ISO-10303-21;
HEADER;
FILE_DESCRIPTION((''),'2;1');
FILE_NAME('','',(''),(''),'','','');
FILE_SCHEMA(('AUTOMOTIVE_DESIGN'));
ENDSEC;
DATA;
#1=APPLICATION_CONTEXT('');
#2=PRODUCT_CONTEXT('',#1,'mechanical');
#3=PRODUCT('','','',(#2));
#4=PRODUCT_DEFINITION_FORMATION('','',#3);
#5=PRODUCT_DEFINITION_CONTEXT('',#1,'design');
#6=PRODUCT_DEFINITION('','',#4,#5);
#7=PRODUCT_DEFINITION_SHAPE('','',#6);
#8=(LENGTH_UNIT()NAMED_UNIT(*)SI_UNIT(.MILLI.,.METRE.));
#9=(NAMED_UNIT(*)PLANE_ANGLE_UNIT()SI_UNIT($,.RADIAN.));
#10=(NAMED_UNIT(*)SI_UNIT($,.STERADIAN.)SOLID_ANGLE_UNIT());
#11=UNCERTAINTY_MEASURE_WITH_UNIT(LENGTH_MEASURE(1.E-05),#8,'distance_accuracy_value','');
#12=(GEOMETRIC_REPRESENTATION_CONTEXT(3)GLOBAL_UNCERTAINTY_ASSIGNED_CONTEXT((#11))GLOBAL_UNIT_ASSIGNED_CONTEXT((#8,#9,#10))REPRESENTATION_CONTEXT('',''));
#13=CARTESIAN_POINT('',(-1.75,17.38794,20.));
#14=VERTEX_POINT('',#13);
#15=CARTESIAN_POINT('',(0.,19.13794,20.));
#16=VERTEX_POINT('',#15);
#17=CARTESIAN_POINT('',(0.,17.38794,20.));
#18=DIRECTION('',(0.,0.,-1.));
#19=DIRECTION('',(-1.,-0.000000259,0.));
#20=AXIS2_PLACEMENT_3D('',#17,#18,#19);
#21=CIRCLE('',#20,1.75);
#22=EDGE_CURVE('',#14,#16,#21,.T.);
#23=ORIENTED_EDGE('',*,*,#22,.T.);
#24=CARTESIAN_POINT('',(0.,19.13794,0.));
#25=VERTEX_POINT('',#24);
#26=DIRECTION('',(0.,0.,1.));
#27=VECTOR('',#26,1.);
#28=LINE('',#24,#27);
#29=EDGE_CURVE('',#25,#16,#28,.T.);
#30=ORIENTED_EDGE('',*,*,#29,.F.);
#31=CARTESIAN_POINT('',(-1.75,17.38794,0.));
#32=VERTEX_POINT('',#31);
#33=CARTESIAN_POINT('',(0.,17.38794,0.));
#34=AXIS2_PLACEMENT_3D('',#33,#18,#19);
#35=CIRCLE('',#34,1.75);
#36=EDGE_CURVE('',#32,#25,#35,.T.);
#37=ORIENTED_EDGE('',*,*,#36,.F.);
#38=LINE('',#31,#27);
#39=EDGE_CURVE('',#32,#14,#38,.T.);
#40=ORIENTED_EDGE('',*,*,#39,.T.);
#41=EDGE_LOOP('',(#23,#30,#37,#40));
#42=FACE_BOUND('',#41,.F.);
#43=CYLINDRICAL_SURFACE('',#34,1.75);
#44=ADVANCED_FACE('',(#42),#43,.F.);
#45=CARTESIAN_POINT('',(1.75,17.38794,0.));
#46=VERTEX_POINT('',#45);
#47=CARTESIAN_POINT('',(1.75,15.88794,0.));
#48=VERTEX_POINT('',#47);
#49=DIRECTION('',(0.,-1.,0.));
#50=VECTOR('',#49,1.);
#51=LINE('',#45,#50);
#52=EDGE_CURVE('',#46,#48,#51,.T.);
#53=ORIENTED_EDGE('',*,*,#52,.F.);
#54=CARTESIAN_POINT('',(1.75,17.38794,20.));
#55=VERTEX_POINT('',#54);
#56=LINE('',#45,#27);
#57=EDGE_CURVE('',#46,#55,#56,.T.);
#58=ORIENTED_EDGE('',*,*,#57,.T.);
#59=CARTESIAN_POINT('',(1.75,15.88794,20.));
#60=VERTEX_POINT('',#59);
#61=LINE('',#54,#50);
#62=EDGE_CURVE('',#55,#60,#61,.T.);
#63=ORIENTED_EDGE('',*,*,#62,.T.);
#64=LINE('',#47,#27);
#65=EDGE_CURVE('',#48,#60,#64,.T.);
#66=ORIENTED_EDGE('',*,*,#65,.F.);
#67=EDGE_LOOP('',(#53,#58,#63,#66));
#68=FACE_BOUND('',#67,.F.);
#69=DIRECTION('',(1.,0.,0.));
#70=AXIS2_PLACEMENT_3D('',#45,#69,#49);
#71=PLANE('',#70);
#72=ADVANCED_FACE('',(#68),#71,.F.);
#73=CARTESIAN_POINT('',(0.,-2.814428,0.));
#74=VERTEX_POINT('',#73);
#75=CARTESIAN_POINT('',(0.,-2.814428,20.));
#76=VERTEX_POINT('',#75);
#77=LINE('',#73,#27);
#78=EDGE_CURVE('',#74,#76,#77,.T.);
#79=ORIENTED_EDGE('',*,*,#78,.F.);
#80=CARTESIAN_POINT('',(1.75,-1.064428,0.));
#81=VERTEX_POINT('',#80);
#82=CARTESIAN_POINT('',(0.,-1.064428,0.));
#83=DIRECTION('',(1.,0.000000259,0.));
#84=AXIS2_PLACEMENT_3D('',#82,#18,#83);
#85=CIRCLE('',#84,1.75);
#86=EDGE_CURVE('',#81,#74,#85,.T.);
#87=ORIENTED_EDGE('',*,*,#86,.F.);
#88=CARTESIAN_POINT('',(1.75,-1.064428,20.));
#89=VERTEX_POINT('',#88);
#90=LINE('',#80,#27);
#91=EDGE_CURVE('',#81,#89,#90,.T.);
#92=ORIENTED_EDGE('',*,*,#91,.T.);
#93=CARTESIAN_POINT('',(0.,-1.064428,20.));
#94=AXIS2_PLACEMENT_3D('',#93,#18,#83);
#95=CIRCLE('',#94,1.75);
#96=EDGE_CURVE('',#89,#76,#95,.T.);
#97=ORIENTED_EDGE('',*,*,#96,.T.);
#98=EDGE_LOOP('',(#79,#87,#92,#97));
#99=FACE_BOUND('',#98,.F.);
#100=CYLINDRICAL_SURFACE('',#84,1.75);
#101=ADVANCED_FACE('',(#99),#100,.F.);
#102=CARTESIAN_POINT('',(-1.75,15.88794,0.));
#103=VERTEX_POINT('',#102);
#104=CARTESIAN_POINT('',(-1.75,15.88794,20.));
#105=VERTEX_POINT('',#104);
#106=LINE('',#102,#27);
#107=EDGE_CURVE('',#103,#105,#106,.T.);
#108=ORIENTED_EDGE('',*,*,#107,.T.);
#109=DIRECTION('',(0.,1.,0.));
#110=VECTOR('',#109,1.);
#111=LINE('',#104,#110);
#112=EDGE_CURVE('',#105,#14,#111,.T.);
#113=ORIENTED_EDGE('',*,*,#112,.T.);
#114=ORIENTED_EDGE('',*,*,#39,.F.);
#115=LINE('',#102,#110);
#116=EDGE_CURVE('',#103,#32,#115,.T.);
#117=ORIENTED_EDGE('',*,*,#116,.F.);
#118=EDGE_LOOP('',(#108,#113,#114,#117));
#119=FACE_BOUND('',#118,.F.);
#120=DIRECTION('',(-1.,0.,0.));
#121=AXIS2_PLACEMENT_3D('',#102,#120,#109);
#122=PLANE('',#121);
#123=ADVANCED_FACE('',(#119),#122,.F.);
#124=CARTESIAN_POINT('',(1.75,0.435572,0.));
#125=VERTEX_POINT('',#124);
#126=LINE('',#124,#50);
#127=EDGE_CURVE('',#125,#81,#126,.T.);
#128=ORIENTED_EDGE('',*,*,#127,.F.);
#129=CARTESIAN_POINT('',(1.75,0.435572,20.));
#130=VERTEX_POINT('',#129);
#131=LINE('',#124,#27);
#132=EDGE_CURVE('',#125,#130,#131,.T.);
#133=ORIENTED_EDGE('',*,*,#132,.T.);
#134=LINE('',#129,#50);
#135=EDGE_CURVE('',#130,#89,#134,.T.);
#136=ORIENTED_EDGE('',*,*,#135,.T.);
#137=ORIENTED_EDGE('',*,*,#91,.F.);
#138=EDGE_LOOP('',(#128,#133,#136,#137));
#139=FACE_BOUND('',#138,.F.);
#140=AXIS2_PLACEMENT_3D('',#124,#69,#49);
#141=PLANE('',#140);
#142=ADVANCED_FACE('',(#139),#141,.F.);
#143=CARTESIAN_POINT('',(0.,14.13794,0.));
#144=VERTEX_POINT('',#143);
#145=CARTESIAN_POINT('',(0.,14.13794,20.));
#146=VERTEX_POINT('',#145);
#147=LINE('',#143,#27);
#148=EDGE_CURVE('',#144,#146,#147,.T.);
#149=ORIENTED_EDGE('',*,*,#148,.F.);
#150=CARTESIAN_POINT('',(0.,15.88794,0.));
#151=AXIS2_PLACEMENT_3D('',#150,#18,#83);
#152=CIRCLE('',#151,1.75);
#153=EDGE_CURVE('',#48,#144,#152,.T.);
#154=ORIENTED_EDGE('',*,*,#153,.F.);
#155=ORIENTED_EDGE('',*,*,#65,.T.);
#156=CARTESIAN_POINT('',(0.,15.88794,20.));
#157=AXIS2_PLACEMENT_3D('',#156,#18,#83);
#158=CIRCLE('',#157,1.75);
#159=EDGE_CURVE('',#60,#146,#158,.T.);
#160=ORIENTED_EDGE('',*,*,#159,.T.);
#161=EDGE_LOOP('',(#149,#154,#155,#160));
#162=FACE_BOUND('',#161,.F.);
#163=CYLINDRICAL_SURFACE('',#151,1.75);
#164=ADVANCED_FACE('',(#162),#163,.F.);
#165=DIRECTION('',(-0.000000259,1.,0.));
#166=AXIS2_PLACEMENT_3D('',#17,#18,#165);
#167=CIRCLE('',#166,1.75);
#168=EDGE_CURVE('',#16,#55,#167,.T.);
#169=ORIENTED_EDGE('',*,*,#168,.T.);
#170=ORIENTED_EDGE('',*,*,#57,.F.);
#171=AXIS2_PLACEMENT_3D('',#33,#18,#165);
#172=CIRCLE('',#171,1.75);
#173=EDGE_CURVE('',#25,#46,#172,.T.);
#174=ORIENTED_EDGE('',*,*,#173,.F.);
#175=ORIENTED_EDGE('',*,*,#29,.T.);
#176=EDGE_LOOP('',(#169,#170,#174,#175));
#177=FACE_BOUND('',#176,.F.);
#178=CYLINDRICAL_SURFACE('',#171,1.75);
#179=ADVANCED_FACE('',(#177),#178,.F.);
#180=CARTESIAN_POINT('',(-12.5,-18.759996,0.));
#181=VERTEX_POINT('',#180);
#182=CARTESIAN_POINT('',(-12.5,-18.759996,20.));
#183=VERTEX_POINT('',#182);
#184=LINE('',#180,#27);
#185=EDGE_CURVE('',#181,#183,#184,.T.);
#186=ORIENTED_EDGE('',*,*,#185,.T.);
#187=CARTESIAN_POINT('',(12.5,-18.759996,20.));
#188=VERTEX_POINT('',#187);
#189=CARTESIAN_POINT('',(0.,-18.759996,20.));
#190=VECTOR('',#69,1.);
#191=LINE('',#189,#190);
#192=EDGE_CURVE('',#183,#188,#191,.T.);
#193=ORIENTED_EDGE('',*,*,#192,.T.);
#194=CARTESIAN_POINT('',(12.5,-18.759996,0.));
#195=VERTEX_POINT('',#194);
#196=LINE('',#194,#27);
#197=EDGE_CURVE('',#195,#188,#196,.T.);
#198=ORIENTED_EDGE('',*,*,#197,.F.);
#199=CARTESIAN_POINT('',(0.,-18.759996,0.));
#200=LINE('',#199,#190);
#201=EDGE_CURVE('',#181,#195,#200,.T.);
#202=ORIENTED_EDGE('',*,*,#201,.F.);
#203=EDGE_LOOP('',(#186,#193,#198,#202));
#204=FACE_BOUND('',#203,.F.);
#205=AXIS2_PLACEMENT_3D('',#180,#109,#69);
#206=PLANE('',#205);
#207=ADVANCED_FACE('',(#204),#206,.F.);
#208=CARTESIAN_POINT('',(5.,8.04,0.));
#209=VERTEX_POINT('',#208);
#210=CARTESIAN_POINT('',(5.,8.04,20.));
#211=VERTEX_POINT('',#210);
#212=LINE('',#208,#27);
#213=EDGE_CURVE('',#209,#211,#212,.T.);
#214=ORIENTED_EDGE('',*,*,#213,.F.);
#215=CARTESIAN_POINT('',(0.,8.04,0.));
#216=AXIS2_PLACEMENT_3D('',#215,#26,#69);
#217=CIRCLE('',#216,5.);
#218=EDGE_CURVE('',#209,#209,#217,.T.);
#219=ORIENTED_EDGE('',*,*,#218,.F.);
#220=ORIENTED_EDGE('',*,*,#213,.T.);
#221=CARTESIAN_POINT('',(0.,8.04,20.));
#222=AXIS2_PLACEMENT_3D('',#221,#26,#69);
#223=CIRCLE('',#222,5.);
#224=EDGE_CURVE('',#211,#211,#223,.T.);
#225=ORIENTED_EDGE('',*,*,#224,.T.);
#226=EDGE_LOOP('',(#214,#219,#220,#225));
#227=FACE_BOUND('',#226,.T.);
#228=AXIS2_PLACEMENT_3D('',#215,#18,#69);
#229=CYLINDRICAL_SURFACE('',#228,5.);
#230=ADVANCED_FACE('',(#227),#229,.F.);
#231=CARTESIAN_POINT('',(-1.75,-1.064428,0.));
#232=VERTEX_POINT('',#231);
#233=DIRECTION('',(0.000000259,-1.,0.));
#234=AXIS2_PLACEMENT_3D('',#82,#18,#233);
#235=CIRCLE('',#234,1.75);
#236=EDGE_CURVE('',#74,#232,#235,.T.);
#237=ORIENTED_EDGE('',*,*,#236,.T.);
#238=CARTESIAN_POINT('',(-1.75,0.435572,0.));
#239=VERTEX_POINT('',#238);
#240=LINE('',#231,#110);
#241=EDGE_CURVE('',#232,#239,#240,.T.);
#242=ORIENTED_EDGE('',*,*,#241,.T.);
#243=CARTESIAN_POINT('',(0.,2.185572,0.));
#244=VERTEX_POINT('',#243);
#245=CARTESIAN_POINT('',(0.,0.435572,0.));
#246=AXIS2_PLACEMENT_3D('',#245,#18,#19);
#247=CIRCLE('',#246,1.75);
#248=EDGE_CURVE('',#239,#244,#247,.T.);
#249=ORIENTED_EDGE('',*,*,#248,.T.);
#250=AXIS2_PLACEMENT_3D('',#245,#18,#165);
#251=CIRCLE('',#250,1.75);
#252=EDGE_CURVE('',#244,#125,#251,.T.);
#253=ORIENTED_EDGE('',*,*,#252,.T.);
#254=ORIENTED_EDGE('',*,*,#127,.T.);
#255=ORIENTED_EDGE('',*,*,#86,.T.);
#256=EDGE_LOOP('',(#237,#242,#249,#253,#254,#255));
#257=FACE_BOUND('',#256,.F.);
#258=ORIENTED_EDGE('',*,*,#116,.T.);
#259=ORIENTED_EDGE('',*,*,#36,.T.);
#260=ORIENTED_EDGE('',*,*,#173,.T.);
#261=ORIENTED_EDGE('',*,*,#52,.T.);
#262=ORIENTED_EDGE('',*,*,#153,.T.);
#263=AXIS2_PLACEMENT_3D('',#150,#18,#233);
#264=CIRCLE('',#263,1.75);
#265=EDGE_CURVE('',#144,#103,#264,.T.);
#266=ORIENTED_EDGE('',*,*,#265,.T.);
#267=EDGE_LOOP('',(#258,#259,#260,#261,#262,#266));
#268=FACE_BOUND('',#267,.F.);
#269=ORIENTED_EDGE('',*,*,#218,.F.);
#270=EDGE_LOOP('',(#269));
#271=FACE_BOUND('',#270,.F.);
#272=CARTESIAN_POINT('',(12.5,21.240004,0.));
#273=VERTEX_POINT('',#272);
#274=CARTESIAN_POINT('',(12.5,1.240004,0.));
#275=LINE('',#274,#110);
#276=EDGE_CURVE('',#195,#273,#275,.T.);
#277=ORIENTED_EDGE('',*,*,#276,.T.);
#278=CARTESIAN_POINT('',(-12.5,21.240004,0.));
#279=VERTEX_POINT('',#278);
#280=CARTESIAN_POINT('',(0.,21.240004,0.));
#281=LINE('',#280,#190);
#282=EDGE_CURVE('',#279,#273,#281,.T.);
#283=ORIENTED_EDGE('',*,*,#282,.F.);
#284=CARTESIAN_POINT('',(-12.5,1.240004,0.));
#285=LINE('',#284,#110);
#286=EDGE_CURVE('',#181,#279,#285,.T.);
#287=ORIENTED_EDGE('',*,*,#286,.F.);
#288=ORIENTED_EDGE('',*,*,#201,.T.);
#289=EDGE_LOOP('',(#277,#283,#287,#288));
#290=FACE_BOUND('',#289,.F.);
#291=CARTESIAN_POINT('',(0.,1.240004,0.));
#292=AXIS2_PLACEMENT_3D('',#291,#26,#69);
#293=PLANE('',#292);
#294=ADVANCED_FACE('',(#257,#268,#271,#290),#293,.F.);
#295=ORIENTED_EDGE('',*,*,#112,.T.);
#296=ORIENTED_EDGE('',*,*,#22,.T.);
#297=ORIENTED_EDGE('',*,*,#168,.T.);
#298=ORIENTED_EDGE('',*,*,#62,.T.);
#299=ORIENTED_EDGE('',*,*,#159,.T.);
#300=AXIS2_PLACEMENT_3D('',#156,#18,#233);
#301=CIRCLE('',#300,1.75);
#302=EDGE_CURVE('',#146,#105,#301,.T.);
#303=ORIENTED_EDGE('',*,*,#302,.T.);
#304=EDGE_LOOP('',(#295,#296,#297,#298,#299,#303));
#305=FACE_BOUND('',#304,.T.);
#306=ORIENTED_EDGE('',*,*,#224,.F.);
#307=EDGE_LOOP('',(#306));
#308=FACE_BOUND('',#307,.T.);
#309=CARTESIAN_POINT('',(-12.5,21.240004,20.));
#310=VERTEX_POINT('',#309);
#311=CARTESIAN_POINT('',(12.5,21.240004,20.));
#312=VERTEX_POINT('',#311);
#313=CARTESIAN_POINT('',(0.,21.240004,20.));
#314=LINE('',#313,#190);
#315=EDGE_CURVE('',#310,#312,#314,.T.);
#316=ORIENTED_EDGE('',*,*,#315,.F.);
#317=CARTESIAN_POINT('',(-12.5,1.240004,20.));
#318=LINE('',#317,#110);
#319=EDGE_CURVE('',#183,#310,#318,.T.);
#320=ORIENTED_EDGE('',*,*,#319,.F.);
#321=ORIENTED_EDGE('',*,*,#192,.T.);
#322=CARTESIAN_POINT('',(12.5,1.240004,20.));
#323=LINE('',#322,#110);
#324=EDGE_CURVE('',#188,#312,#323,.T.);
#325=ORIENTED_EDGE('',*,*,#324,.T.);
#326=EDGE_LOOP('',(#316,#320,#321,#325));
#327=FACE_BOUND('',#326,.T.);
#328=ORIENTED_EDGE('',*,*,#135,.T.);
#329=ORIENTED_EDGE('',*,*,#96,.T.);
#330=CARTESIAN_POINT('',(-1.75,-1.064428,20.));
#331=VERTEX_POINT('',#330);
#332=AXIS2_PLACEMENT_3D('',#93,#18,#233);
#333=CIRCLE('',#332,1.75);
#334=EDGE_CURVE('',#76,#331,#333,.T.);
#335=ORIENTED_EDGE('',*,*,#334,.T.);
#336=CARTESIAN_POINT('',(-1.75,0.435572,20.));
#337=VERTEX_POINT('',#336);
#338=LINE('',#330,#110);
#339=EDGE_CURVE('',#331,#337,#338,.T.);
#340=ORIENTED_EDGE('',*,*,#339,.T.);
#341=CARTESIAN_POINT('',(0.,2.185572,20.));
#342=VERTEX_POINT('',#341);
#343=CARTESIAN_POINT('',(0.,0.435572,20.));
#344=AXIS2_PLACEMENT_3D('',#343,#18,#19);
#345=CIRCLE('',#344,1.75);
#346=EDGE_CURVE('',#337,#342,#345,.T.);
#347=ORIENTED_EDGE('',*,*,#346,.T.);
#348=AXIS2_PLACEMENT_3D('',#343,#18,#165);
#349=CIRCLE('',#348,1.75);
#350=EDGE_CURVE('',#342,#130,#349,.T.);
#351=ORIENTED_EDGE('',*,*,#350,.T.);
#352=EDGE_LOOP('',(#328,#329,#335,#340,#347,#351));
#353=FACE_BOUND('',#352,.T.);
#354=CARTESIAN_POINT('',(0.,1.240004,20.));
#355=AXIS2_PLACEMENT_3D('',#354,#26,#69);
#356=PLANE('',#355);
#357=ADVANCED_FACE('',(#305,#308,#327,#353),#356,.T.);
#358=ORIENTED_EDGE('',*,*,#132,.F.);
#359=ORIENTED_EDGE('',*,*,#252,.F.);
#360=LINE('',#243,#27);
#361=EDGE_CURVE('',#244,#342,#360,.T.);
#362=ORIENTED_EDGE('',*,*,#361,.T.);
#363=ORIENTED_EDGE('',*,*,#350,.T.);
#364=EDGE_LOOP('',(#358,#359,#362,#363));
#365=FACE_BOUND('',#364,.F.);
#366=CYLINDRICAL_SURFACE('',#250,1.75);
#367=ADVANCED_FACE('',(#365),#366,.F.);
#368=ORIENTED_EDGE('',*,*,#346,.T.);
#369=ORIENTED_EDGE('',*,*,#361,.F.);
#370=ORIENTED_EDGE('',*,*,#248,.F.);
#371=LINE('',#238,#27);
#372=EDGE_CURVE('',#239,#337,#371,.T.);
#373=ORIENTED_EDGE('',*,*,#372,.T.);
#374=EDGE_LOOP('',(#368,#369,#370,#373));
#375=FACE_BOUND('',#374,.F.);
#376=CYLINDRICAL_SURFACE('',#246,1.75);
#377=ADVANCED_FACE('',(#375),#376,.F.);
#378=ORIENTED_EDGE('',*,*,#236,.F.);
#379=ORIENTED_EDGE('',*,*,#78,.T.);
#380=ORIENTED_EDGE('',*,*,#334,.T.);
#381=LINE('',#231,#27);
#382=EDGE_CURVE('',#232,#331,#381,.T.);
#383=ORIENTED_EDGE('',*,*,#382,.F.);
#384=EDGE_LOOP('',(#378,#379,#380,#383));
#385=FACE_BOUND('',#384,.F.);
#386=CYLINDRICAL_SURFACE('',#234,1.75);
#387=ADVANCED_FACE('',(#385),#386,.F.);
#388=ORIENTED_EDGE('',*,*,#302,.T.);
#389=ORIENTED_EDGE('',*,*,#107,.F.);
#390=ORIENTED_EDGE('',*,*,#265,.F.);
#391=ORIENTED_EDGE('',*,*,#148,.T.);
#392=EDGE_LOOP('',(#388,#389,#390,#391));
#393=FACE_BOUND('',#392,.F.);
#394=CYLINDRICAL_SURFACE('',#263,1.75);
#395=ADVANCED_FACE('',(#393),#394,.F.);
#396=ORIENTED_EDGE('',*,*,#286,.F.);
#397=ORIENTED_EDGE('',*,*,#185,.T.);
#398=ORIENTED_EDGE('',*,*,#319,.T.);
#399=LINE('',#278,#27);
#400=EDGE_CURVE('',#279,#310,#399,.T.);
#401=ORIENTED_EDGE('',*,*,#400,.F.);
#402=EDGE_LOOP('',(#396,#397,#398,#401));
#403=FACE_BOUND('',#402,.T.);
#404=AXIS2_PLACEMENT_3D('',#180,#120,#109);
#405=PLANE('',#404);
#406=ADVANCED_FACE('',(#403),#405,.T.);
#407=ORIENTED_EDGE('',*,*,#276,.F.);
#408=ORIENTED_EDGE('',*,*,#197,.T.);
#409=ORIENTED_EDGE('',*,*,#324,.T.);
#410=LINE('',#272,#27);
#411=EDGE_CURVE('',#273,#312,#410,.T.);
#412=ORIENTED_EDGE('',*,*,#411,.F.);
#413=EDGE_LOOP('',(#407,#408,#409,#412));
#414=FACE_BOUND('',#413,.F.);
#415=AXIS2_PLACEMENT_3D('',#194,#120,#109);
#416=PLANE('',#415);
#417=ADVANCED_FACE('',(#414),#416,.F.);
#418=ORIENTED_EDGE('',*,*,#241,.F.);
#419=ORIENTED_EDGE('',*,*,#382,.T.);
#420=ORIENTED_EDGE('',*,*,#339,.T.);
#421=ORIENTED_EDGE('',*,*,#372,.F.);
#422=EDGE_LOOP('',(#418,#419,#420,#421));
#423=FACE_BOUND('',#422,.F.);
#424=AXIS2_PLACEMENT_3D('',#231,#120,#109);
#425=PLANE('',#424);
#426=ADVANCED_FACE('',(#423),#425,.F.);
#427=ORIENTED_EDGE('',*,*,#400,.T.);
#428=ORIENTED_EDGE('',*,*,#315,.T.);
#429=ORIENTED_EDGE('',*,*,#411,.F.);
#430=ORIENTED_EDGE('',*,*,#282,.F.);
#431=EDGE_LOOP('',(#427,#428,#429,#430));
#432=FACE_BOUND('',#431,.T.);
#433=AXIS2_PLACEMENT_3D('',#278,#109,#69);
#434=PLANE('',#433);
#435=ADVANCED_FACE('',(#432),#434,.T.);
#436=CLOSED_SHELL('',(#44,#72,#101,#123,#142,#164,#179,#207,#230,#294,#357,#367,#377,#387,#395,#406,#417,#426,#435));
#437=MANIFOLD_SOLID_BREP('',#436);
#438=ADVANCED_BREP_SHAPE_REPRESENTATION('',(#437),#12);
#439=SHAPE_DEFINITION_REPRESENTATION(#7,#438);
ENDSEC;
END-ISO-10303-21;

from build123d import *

# Parameters (mm, degrees)
F0_W     = 25
F0_H     = 40
F0_R     = 5
F1_DEPTH = 20


with BuildPart() as f1:
    # F0 (on Top) → F1 (new body)
    with BuildSketch(Plane.XY):
        with Locations((0, 1.240004)):
            Rectangle(F0_W, F0_H)
        with BuildLine():
            Line((1.75, 0.435572), (1.75, -1.064428))
            ThreePointArc((1.75, -1.064428), (1.237437, -2.301865), (0, -2.814428))
            ThreePointArc((0, -2.814428), (-1.237437, -2.301865), (-1.75, -1.064428))
            Line((-1.75, -1.064428), (-1.75, 0.435572))
            ThreePointArc((-1.75, 0.435572), (-1.237437, 1.673009), (0, 2.185572))
            ThreePointArc((0, 2.185572), (1.237437, 1.673009), (1.75, 0.435572))
        make_face(mode=Mode.SUBTRACT)
        with Locations((0, 8.04)):
            Circle(F0_R, mode=Mode.SUBTRACT)
        with BuildLine():
            Line((1.75, 17.38794), (1.75, 15.88794))
            ThreePointArc((1.75, 15.88794), (1.237437, 14.650503), (0, 14.13794))
            ThreePointArc((0, 14.13794), (-1.237437, 14.650503), (-1.75, 15.88794))
            Line((-1.75, 15.88794), (-1.75, 17.38794))
            ThreePointArc((-1.75, 17.38794), (-1.237437, 18.625377), (0, 19.13794))
            ThreePointArc((0, 19.13794), (1.237437, 18.625377), (1.75, 17.38794))
        make_face(mode=Mode.SUBTRACT)
    extrude(amount=F1_DEPTH)


solid = f1.part
